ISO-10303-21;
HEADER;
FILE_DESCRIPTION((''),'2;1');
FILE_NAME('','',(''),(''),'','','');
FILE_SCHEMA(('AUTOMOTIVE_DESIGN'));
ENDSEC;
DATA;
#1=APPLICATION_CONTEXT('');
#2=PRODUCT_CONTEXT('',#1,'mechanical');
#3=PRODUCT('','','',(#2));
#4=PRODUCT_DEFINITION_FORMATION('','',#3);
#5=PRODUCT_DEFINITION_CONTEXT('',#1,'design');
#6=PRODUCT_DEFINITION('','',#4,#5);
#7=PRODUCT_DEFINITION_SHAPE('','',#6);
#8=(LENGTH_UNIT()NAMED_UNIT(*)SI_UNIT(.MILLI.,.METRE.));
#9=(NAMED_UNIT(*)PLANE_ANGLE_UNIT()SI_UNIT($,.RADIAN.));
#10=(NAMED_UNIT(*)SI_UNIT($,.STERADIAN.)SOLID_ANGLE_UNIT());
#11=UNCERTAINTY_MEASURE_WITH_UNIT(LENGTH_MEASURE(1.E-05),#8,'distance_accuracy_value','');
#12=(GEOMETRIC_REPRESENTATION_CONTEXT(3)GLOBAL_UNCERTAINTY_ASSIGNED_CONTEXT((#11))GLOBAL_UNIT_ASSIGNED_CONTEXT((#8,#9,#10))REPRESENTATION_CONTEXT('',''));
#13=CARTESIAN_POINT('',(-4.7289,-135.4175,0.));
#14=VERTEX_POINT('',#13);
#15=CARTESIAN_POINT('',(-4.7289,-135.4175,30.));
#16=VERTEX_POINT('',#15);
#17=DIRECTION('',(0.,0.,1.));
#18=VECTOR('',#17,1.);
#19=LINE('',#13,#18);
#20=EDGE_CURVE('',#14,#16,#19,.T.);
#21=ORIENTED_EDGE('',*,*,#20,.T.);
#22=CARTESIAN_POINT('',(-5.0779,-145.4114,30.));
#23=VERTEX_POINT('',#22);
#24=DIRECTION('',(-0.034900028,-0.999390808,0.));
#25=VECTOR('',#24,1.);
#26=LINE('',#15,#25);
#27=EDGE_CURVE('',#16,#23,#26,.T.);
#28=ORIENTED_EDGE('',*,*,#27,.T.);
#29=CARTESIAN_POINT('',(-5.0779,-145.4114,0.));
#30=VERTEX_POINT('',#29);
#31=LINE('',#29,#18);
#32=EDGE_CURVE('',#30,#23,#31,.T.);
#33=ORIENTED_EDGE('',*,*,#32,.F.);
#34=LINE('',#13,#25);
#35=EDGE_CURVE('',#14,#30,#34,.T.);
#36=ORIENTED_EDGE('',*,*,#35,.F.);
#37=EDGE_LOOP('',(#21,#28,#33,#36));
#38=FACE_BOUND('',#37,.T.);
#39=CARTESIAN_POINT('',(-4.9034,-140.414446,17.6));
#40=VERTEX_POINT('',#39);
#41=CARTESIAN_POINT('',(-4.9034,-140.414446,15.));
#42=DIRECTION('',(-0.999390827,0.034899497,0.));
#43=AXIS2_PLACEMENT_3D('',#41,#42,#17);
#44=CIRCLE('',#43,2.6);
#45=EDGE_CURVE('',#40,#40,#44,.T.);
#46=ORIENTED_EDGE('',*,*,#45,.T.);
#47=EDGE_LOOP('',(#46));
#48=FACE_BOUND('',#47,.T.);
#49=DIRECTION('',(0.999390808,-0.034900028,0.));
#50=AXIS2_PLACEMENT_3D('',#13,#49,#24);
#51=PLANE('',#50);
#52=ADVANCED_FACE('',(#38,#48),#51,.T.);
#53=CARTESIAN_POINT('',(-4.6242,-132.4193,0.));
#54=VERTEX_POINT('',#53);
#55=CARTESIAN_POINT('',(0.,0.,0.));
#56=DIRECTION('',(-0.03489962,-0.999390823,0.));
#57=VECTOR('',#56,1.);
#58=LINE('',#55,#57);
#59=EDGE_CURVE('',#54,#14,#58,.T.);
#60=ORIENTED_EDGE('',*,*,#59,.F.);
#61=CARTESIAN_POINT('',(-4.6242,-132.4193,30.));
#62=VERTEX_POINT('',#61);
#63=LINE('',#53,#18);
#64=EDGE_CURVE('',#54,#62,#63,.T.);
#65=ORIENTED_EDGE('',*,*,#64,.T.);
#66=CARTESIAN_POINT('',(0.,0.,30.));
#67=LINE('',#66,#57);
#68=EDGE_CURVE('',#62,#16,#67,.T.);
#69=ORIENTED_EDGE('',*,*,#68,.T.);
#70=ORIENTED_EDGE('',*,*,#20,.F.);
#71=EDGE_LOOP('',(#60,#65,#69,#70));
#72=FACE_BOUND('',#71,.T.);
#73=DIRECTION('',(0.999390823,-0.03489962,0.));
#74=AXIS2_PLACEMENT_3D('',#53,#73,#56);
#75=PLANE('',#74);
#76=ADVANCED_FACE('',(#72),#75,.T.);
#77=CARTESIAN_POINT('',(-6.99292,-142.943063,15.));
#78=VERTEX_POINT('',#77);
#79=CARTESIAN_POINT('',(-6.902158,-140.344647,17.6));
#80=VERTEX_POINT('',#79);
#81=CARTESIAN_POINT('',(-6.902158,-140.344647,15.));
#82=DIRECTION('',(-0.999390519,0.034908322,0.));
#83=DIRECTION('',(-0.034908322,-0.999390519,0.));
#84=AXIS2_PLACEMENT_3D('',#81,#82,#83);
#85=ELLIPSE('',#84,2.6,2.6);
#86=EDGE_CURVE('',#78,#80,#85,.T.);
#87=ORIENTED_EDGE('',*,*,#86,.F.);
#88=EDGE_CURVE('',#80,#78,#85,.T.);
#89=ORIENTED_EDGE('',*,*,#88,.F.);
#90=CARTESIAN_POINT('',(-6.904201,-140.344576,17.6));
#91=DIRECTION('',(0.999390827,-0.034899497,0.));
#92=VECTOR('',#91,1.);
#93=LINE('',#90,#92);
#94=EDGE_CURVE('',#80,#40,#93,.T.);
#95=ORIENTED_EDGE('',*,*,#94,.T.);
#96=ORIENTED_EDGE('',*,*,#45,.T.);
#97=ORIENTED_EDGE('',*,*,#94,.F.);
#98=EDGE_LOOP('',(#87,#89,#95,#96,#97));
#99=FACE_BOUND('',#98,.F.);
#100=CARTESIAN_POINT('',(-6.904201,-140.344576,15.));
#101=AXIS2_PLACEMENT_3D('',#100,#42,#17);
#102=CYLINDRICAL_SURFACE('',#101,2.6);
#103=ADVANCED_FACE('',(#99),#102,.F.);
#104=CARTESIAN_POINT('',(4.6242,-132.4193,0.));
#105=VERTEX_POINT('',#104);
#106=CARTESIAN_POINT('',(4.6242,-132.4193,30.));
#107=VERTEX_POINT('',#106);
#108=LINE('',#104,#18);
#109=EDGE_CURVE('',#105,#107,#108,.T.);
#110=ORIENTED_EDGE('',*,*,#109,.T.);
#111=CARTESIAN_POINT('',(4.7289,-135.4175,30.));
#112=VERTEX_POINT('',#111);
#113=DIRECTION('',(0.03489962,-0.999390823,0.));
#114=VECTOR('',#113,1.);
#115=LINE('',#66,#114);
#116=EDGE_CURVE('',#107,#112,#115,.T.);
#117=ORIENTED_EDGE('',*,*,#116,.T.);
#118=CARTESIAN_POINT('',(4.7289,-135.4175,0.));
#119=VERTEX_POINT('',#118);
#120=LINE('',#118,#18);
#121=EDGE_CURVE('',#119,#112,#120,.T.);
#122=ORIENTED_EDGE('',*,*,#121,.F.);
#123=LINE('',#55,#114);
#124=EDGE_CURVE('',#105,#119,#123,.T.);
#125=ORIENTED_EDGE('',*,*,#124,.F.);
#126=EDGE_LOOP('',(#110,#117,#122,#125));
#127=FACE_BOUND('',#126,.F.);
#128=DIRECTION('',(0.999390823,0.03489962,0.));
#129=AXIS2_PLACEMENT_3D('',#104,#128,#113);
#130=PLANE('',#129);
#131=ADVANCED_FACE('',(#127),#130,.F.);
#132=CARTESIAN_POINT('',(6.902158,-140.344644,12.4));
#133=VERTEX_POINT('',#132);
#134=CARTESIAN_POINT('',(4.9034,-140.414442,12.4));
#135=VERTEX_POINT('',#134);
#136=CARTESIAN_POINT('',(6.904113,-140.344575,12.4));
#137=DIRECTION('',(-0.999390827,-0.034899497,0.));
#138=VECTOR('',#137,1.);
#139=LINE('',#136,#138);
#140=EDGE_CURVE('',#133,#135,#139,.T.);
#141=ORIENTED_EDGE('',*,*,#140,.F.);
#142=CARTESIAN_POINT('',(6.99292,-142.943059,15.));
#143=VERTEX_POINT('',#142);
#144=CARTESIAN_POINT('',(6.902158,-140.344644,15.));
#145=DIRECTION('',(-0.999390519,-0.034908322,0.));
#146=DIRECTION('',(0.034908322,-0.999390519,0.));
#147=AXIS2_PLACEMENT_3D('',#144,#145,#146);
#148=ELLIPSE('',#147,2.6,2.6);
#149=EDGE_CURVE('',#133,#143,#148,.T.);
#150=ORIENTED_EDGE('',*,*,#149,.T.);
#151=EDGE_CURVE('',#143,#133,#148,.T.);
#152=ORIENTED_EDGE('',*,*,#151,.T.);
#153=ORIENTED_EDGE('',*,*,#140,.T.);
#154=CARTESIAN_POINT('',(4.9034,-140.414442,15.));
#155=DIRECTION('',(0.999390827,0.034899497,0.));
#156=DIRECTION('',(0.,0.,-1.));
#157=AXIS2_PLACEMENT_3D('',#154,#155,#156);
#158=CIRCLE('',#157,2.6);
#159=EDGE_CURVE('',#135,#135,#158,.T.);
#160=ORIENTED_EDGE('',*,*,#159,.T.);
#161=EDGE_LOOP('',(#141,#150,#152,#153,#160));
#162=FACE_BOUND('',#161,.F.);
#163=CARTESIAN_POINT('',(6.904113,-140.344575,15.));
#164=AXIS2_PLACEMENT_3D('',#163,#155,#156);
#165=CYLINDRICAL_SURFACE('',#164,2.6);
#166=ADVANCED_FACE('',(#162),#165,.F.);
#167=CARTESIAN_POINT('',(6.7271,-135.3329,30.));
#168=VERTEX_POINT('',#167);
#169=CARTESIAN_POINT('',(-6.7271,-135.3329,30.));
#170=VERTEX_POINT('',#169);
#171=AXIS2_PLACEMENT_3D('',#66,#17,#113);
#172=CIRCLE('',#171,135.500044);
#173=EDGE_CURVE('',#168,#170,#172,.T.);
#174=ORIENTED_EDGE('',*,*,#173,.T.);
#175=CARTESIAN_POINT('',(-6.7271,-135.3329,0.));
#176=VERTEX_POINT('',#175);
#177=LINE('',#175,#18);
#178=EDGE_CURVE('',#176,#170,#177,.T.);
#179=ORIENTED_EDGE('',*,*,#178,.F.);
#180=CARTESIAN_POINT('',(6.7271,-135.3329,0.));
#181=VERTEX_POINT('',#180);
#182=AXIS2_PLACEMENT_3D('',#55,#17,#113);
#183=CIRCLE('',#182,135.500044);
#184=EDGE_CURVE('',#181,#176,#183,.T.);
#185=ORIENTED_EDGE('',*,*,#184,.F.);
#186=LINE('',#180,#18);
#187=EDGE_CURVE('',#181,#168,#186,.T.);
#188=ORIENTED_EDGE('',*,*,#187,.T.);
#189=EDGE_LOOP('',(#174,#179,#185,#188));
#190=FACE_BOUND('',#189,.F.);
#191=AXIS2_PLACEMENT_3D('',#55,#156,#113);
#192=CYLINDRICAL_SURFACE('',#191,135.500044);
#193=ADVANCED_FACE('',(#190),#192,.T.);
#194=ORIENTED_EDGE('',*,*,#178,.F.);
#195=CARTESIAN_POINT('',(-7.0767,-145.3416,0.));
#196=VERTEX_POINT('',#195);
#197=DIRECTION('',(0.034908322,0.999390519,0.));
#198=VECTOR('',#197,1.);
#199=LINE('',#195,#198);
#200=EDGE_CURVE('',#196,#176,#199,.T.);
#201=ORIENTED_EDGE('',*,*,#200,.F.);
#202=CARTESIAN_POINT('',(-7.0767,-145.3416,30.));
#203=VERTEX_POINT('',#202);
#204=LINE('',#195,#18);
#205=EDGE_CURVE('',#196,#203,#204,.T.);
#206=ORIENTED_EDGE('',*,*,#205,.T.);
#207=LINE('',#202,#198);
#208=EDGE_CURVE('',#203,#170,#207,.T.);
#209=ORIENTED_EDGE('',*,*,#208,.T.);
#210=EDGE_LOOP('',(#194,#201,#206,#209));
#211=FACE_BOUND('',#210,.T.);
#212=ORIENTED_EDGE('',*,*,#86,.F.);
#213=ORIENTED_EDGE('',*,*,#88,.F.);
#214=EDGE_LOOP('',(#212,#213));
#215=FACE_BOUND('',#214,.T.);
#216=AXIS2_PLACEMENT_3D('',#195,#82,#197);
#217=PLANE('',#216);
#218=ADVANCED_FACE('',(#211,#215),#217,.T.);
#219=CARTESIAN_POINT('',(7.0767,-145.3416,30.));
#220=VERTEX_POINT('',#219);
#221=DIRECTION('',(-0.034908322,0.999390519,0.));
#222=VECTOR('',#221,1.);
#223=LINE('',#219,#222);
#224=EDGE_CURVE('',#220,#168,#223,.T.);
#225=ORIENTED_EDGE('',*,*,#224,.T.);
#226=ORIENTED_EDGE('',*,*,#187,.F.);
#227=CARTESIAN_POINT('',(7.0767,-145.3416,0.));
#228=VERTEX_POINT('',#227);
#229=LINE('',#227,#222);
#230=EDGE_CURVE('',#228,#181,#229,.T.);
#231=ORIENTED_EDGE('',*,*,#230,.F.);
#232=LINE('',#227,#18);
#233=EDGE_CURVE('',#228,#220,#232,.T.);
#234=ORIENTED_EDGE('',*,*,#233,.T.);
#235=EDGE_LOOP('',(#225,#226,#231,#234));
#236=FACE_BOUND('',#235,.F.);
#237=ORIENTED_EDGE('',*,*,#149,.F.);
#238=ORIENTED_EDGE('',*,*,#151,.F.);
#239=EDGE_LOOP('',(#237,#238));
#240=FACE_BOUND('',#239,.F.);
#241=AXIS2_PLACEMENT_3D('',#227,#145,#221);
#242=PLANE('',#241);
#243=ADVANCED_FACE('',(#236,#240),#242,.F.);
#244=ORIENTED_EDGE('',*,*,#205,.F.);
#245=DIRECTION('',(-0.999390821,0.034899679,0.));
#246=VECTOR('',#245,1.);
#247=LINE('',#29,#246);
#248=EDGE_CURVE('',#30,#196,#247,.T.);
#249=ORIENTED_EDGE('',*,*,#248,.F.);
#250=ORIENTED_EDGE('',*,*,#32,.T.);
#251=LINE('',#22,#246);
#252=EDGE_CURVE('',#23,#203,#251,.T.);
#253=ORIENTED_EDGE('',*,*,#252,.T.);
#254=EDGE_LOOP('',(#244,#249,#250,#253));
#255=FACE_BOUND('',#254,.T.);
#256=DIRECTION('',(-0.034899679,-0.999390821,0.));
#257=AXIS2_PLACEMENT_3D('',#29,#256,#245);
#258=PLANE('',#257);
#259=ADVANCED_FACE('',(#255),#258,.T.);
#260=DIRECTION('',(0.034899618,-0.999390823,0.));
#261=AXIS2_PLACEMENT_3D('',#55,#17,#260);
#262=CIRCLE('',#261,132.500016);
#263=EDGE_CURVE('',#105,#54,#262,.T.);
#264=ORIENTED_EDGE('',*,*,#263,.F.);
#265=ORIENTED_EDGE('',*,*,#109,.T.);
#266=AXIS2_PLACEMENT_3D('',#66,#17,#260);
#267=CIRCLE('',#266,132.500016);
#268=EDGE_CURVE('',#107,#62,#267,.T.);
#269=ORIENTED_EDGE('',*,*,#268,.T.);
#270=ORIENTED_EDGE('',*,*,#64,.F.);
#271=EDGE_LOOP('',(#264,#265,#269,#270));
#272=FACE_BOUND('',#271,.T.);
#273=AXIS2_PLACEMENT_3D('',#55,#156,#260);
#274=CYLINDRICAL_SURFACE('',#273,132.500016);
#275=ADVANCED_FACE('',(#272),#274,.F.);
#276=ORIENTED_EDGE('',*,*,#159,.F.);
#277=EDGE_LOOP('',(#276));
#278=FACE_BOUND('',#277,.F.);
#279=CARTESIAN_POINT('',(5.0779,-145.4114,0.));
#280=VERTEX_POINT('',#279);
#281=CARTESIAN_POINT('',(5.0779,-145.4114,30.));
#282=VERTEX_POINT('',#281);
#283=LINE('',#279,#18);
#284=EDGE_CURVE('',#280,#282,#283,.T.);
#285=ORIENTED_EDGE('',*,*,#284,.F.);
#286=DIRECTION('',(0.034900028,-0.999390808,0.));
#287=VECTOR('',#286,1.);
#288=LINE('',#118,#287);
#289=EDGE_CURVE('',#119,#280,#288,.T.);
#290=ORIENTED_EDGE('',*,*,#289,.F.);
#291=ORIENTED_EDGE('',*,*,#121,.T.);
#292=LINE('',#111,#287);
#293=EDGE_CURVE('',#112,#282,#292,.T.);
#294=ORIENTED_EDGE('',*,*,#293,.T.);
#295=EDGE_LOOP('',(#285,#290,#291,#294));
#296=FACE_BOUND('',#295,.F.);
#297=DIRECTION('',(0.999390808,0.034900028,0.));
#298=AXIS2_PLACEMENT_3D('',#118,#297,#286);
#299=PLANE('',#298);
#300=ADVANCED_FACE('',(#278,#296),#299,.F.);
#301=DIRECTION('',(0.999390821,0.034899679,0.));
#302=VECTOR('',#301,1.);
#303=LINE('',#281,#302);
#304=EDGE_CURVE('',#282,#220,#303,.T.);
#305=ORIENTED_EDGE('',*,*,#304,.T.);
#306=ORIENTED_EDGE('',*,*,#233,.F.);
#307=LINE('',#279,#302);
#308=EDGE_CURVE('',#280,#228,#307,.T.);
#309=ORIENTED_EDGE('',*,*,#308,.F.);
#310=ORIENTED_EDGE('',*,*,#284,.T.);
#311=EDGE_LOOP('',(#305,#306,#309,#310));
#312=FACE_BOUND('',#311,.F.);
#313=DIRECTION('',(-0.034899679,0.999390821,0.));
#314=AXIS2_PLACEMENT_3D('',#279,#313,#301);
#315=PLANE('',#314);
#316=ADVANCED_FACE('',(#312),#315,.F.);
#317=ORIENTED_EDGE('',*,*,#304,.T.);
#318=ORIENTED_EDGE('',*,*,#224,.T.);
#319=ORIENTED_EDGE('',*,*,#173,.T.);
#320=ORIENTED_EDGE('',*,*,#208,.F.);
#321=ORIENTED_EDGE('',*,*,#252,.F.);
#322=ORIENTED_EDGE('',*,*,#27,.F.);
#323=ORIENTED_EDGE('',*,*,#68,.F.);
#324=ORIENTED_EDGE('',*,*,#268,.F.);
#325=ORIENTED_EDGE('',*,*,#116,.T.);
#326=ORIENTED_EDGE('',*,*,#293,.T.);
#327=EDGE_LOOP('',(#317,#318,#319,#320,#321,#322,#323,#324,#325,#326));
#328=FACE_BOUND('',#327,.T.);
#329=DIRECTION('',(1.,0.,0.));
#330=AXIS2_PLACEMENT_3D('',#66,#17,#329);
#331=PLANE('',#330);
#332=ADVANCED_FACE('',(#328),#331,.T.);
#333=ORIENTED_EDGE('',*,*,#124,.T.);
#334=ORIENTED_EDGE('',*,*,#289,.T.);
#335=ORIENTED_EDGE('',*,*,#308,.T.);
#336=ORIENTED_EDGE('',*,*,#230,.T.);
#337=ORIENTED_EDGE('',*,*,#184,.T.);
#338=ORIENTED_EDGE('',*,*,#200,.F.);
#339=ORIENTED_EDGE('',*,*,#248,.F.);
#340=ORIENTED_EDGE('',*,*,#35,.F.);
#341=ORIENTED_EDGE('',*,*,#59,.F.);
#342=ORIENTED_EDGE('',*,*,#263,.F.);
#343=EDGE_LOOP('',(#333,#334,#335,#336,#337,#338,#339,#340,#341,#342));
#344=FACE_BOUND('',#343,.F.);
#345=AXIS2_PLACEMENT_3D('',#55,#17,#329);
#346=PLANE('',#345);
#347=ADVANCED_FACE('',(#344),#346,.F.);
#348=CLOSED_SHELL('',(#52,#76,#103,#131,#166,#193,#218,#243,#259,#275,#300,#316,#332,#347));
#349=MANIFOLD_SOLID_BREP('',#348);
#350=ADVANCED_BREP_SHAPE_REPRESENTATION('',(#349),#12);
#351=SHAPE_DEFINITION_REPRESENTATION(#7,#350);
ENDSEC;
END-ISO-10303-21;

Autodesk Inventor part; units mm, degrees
ref_plane "YZ Plane" through (0, 0, 0) normal (1, 0, 0) x (0, 1, 0)
ref_plane "XZ Plane" through (0, 0, 0) normal (0, 1, 0) x (-1, 0, 0)
ref_plane "XY Plane" through (0, 0, 0) normal (0, 0, 1) x (1, 0, 0)
sketch "스케치1" plane through (0, 0, 0) normal (0, 0, 1) x (1, 0, 0)
  arc A0 (4.6242, -132.4193) -> (-4.6242, -132.4193) centre (0, 0) ccw
  arc A1 (4.7289, -135.4175) -> (-4.7289, -135.4175) centre (0, 0) ccw
  line L0 (0, 0) -> (-4.7289, -135.4175)
  line L1 (0, 0) -> (135.5, 0) construction
  line L2 (0, 0) -> (4.7289, -135.4175)
  line L3 (0, 0) -> (135.5, 0) construction
  line L4 (-4.7289, -135.4175) -> (-5.0779, -145.4114)
  line L5 (-5.0779, -145.4114) -> (-7.0767, -145.3416)
  line L6 (-7.0767, -145.3416) -> (-6.7271, -135.3329)
  line L7 (4.7289, -135.4175) -> (5.0779, -145.4114)
  line L8 (4.7289, -135.4175) -> (14.7289, -135.4175) construction
  line L9 (5.0779, -145.4114) -> (7.0767, -145.3416)
  line L10 (7.0767, -145.3416) -> (6.7271, -135.3329)
  dimension "d0" = 265
  dimension "d1" = 3
  dimension "d2" = 92
  dimension "d3" = 88
  dimension "d4" = 10
  dimension "d5" = 2
  dimension "d6" = 90
  dimension "d7" = 90
  dimension "d8" = 10
  dimension "d9" = 88
  dimension "d10" = 2
  dimension "d11" = 90
  dimension "d12" = 90
extrude "돌출1" add sketch "스케치1" along normal blind 30 contours A0 L0 A1 L2 | A1 L10 L9 L7 | L4 L5 L6 A1
sketch "스케치2" plane through (6.7271, -135.3329, 30) normal (0.9994, 0.0349, 0) x (0, 0, -1)
  line L0 (30, -10.0148) -> (0, -10.0148) projected
  line L1 (15, -10.0148) -> (15, -5.0148)
  circle A0 centre (15, -5.0148) radius 2.6
  point P0 (30, 135.4852)
  dimension "d15" = 5
  dimension "d16" = 5.2
extrude "돌출2" cut sketch "스케치2" against normal up to surface (2 mm away)
sketch "스케치3" plane through (-7.0767, -145.3416, 0) normal (-0.9994, 0.0349, 0) x (0, 0, 1)
  line L0 (0, 0) -> (30, 0) projected
  line L1 (15, 0) -> (15, 5)
  line L2 (15, 0) -> (20, 0) construction
  circle A0 centre (15, 5) radius 2.6
  point P0 (0, 145.5)
  dimension "d19" = 5
  dimension "d20" = 90
  dimension "d21" = 5.2
extrude "돌출3" cut sketch "스케치3" against normal up to surface (2 mm away)
properties part number "camera_robotarm"
